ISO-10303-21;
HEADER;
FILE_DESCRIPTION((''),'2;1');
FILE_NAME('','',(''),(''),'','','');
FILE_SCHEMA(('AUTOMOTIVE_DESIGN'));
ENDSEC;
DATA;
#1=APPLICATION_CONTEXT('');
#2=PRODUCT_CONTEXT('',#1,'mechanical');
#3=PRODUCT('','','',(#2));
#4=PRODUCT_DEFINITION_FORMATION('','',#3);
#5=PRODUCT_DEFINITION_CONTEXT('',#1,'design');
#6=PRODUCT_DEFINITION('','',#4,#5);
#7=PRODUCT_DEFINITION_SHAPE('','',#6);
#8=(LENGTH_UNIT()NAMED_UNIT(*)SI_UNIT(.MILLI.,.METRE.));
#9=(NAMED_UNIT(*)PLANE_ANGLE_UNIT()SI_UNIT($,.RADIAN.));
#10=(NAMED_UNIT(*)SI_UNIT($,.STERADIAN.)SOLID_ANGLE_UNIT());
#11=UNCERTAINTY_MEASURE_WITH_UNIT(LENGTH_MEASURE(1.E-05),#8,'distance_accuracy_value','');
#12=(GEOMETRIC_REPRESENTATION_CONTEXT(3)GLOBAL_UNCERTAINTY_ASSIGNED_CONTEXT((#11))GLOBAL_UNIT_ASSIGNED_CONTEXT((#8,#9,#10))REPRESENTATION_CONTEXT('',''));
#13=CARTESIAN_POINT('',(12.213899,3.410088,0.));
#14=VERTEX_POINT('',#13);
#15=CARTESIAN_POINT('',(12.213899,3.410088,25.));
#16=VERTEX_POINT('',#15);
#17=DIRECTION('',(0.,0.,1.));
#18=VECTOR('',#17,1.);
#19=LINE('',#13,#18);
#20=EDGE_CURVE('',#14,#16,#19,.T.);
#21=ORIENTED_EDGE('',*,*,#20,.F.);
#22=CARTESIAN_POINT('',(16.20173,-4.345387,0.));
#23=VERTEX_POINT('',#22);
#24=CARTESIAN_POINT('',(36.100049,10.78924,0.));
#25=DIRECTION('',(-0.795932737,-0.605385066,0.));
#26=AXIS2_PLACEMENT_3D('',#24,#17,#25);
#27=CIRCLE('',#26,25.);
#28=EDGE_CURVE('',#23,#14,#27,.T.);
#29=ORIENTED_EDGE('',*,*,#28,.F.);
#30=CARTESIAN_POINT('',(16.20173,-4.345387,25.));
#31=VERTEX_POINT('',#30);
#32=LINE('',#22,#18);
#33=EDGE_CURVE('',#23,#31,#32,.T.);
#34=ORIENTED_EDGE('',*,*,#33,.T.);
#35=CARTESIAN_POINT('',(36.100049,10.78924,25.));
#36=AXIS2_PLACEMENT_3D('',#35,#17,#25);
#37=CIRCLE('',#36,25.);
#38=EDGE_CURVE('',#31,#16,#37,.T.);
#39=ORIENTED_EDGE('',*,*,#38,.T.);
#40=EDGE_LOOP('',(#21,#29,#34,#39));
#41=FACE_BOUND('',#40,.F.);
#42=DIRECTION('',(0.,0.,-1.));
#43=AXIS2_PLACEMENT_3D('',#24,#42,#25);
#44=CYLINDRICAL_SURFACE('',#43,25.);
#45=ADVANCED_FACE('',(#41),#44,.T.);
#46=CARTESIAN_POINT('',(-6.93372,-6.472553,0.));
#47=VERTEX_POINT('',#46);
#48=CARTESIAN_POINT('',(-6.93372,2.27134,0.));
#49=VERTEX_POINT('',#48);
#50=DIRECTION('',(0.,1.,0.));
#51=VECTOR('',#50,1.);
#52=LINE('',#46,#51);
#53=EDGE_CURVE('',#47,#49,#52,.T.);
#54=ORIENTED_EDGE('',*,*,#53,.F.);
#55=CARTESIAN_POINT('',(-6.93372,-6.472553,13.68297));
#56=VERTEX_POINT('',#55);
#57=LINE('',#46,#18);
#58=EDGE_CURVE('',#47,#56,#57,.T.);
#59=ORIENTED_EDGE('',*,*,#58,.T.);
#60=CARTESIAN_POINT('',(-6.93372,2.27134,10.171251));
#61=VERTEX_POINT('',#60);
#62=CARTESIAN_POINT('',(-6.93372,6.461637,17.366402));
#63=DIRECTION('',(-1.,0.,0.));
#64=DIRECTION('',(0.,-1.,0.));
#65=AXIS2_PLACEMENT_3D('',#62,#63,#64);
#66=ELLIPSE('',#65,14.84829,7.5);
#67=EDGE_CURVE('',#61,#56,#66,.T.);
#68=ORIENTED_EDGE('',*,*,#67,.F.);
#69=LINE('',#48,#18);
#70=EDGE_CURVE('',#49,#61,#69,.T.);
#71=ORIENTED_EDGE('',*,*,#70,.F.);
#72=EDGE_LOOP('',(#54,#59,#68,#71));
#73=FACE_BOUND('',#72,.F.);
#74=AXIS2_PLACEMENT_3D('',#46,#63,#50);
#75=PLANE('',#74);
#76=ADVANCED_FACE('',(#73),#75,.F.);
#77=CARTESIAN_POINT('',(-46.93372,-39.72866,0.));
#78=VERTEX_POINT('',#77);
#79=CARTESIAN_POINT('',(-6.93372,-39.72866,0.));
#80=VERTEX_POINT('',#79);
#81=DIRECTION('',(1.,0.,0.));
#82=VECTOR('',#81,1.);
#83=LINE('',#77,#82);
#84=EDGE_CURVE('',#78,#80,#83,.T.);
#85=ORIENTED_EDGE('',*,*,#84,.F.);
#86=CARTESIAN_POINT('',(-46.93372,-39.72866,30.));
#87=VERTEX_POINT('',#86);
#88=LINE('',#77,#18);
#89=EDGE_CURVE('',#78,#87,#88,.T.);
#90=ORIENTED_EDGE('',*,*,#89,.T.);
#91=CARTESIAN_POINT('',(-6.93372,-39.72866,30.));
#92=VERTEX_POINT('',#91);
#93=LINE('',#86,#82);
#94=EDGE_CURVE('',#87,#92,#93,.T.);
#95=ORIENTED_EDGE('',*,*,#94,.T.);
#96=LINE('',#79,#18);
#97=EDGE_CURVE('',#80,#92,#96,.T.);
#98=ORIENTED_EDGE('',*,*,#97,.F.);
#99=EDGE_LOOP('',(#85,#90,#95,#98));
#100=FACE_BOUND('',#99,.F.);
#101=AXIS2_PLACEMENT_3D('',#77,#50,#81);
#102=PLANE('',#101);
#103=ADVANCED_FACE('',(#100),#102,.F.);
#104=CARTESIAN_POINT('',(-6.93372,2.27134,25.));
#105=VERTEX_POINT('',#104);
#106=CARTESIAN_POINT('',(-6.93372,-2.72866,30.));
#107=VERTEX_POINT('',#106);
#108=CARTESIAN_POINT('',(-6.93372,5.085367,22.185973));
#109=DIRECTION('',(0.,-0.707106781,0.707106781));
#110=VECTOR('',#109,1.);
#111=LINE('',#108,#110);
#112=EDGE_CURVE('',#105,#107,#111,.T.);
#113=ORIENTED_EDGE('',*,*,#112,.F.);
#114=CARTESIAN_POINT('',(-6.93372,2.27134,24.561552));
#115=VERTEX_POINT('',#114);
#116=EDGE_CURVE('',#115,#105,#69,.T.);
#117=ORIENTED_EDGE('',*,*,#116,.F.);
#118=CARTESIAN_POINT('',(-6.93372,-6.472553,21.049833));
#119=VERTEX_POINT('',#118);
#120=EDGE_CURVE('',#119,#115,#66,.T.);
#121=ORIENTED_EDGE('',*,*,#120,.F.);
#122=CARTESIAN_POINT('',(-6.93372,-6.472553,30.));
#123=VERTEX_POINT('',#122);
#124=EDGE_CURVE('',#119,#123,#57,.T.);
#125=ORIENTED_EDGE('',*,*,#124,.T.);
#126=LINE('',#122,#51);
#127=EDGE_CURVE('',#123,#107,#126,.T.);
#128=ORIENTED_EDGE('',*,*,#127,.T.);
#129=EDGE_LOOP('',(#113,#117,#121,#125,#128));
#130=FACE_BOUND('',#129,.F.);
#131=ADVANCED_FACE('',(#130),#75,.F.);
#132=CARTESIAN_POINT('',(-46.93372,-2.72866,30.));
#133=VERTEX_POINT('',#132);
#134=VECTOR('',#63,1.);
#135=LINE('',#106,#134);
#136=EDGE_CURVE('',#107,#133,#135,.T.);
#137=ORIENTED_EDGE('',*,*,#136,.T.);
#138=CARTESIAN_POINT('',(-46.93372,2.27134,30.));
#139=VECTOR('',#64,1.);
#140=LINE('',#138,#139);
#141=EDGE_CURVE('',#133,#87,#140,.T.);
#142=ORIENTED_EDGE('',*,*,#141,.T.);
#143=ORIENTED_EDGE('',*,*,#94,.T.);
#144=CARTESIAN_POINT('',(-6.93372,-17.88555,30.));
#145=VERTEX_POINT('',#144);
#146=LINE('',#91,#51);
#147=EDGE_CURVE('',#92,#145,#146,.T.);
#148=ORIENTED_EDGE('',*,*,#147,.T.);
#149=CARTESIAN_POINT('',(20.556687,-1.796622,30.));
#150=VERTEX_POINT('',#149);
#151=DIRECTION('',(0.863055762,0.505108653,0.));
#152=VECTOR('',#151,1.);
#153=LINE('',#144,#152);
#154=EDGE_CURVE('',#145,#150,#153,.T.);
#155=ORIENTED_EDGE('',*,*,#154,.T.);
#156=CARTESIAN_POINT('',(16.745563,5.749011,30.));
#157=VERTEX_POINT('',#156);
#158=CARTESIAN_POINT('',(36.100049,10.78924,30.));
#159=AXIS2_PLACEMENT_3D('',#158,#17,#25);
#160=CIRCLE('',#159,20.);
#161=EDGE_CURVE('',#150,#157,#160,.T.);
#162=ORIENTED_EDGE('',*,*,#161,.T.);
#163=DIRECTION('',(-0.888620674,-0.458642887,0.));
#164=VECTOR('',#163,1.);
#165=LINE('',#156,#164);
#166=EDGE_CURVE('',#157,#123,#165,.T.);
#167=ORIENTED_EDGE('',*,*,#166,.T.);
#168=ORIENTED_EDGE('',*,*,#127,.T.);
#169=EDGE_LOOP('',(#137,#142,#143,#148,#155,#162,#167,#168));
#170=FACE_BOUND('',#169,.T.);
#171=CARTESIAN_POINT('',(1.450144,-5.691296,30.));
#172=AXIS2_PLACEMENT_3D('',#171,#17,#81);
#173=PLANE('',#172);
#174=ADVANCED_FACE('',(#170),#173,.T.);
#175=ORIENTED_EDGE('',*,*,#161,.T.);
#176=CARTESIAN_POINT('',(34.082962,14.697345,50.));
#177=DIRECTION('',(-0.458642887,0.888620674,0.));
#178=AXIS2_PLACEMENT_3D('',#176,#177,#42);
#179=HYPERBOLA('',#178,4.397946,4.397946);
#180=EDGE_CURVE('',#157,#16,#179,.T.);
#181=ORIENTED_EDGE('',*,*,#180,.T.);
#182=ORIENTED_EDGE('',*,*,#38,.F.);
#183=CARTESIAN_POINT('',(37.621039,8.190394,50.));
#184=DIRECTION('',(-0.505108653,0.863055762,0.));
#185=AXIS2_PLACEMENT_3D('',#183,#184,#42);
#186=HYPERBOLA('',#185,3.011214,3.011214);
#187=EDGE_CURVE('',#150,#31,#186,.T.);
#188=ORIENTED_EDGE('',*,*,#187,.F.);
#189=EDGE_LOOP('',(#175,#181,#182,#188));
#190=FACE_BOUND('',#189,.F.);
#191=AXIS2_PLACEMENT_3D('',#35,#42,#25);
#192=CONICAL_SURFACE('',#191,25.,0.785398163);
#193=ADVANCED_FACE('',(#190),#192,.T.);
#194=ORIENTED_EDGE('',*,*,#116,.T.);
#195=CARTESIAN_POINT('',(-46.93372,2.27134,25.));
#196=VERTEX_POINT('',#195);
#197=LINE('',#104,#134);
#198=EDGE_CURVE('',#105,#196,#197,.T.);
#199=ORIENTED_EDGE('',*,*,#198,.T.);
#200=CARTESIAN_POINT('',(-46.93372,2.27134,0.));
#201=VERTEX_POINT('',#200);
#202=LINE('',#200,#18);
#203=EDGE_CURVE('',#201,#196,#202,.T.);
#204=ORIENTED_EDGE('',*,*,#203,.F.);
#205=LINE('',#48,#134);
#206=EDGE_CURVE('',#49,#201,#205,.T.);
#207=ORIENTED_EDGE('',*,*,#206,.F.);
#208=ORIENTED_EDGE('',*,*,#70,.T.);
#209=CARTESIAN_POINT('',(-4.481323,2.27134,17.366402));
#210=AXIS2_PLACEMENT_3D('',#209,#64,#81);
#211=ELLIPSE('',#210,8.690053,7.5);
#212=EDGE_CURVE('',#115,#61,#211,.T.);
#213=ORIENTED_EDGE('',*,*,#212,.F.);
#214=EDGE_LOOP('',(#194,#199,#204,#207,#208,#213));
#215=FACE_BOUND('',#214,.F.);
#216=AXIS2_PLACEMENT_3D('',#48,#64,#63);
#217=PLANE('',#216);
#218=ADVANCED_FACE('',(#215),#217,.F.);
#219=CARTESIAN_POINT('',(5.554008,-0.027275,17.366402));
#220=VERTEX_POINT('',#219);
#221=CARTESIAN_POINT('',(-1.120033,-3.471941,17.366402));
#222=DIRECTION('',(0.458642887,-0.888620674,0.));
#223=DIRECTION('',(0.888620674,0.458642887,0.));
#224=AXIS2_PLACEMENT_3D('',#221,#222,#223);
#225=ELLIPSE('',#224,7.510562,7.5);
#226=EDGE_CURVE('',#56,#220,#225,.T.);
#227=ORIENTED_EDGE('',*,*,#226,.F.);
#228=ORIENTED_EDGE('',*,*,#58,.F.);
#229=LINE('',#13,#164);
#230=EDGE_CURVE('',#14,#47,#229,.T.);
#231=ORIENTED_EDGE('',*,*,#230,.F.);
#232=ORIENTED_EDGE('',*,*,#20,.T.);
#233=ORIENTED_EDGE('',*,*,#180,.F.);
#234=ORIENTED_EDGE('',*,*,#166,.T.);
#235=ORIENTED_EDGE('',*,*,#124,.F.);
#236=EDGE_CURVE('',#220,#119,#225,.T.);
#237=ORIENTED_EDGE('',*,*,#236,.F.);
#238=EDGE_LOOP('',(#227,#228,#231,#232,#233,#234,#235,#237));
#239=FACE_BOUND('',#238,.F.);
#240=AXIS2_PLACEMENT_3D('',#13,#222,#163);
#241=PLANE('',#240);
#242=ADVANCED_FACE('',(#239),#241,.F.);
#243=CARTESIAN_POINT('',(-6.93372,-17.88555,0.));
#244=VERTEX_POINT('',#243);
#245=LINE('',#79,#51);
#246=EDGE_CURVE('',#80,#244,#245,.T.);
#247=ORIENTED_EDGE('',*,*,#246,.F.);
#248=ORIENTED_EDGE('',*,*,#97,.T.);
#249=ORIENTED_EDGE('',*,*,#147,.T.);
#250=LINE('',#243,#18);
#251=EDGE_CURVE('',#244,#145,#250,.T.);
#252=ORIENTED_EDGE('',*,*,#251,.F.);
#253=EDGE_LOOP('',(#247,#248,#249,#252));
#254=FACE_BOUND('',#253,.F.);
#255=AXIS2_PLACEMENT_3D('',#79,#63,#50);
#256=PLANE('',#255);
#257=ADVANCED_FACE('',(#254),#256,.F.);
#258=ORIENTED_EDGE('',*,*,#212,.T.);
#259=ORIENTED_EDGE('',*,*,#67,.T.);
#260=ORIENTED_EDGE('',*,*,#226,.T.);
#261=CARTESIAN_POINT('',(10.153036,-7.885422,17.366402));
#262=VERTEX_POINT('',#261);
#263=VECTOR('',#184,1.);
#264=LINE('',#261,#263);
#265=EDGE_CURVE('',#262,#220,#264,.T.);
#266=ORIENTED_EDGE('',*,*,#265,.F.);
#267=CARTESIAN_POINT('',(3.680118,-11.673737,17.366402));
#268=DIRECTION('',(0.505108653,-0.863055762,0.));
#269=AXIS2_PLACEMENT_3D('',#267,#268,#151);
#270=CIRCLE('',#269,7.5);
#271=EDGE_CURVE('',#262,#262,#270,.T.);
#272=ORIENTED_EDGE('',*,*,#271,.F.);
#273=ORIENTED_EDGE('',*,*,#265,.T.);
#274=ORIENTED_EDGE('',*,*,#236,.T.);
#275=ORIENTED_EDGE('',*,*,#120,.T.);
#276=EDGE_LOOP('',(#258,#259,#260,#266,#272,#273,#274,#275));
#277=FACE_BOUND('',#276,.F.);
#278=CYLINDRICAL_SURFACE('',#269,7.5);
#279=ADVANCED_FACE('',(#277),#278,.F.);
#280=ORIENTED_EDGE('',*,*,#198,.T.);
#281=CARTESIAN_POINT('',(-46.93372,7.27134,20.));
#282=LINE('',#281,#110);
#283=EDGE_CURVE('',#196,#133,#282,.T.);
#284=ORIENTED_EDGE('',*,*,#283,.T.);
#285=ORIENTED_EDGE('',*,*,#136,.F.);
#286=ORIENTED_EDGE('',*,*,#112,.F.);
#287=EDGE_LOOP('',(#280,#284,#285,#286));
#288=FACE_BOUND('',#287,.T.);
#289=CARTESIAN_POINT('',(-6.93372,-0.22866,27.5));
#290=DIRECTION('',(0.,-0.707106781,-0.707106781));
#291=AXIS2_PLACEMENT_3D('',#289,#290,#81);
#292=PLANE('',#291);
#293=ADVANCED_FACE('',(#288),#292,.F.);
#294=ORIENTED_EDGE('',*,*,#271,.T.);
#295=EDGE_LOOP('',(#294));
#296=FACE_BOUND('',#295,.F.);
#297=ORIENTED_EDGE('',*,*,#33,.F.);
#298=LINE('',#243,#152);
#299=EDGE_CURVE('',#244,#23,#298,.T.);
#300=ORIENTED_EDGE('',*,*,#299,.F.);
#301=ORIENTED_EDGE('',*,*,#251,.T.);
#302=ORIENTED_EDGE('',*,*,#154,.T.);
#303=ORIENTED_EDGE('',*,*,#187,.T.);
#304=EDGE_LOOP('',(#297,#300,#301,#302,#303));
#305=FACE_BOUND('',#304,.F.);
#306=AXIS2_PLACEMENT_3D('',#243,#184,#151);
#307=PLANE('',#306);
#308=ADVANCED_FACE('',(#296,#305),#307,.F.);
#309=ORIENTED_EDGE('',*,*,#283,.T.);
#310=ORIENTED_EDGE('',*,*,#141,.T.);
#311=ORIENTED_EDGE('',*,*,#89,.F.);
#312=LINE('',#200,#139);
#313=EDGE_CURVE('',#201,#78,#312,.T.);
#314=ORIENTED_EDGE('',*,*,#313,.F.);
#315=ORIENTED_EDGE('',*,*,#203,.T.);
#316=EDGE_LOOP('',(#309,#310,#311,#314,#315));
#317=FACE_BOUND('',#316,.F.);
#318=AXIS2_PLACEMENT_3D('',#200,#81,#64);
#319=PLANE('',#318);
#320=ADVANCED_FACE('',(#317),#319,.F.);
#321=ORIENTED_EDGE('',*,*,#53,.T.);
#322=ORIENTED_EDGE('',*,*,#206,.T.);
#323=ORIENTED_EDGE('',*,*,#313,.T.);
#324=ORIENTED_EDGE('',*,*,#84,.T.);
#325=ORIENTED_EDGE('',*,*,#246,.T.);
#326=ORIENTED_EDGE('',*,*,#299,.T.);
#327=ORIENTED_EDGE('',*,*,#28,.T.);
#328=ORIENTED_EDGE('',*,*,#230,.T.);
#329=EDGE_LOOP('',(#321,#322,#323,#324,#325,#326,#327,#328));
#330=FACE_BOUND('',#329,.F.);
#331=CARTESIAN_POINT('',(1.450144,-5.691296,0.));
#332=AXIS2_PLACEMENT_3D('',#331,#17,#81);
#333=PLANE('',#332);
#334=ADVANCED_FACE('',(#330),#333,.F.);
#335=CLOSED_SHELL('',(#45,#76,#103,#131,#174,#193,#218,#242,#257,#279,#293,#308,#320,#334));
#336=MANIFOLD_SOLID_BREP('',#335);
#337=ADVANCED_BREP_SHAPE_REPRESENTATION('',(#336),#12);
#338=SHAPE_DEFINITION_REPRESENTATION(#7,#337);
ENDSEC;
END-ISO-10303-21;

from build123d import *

# Parameters (mm, degrees)
F1_DEPTH = 30
F2_R     = 7.5
F3_DEPTH = 66.5296831478
F4_SIZE  = 5


with BuildPart() as f1:
    # F0 (on Top) → F1 (new body)
    with BuildSketch(Plane.XY):
        with BuildLine():
            Line((-6.9337203167, 2.2713398635), (-46.9337203167, 2.2713398635))
            Line((-46.9337203167, 2.2713398635), (-46.9337203167, -39.7286601365))
            Line((-46.9337203167, -39.7286601365), (-6.9337203167, -39.7286601365))
            Line((-6.9337203167, -39.7286601365), (-6.9337203167, -17.885550487))
            Line((-6.9337203167, -17.885550487), (16.2017301439, -4.3453868678))
            ThreePointArc((16.2017301439, -4.3453868678), (58.3330589287, 22.2213546523), (12.2138993907, 3.4100882496))
            Line((12.2138993907, 3.4100882496), (-6.9337203167, -6.4725532874))
            Line((-6.9337203167, -6.4725532874), (-6.9337203167, 2.2713398635))
        make_face()
    extrude(amount=F1_DEPTH)

    # F2 (on face) → F3 (cut, through all)
    with BuildSketch(Plane(origin=(6.027939026, -10.2996602284, 0), x_dir=(0.8630557619, 0.5051086534, 0), z_dir=(0.5051086534, -0.8630557619, 0))):
        with Locations((-2.7203583159, 17.3664018512)):
            Circle(F2_R)
    extrude(amount=-F3_DEPTH, mode=Mode.SUBTRACT)

    # F4
    f4_edges = [f1.edges().sort_by_distance(p)[0] for p in [
        (58.333059, 22.221355, 30),
        (-26.93372, 2.27134, 30),
    ]]
    chamfer(f4_edges, length=F4_SIZE)


solid = f1.part
